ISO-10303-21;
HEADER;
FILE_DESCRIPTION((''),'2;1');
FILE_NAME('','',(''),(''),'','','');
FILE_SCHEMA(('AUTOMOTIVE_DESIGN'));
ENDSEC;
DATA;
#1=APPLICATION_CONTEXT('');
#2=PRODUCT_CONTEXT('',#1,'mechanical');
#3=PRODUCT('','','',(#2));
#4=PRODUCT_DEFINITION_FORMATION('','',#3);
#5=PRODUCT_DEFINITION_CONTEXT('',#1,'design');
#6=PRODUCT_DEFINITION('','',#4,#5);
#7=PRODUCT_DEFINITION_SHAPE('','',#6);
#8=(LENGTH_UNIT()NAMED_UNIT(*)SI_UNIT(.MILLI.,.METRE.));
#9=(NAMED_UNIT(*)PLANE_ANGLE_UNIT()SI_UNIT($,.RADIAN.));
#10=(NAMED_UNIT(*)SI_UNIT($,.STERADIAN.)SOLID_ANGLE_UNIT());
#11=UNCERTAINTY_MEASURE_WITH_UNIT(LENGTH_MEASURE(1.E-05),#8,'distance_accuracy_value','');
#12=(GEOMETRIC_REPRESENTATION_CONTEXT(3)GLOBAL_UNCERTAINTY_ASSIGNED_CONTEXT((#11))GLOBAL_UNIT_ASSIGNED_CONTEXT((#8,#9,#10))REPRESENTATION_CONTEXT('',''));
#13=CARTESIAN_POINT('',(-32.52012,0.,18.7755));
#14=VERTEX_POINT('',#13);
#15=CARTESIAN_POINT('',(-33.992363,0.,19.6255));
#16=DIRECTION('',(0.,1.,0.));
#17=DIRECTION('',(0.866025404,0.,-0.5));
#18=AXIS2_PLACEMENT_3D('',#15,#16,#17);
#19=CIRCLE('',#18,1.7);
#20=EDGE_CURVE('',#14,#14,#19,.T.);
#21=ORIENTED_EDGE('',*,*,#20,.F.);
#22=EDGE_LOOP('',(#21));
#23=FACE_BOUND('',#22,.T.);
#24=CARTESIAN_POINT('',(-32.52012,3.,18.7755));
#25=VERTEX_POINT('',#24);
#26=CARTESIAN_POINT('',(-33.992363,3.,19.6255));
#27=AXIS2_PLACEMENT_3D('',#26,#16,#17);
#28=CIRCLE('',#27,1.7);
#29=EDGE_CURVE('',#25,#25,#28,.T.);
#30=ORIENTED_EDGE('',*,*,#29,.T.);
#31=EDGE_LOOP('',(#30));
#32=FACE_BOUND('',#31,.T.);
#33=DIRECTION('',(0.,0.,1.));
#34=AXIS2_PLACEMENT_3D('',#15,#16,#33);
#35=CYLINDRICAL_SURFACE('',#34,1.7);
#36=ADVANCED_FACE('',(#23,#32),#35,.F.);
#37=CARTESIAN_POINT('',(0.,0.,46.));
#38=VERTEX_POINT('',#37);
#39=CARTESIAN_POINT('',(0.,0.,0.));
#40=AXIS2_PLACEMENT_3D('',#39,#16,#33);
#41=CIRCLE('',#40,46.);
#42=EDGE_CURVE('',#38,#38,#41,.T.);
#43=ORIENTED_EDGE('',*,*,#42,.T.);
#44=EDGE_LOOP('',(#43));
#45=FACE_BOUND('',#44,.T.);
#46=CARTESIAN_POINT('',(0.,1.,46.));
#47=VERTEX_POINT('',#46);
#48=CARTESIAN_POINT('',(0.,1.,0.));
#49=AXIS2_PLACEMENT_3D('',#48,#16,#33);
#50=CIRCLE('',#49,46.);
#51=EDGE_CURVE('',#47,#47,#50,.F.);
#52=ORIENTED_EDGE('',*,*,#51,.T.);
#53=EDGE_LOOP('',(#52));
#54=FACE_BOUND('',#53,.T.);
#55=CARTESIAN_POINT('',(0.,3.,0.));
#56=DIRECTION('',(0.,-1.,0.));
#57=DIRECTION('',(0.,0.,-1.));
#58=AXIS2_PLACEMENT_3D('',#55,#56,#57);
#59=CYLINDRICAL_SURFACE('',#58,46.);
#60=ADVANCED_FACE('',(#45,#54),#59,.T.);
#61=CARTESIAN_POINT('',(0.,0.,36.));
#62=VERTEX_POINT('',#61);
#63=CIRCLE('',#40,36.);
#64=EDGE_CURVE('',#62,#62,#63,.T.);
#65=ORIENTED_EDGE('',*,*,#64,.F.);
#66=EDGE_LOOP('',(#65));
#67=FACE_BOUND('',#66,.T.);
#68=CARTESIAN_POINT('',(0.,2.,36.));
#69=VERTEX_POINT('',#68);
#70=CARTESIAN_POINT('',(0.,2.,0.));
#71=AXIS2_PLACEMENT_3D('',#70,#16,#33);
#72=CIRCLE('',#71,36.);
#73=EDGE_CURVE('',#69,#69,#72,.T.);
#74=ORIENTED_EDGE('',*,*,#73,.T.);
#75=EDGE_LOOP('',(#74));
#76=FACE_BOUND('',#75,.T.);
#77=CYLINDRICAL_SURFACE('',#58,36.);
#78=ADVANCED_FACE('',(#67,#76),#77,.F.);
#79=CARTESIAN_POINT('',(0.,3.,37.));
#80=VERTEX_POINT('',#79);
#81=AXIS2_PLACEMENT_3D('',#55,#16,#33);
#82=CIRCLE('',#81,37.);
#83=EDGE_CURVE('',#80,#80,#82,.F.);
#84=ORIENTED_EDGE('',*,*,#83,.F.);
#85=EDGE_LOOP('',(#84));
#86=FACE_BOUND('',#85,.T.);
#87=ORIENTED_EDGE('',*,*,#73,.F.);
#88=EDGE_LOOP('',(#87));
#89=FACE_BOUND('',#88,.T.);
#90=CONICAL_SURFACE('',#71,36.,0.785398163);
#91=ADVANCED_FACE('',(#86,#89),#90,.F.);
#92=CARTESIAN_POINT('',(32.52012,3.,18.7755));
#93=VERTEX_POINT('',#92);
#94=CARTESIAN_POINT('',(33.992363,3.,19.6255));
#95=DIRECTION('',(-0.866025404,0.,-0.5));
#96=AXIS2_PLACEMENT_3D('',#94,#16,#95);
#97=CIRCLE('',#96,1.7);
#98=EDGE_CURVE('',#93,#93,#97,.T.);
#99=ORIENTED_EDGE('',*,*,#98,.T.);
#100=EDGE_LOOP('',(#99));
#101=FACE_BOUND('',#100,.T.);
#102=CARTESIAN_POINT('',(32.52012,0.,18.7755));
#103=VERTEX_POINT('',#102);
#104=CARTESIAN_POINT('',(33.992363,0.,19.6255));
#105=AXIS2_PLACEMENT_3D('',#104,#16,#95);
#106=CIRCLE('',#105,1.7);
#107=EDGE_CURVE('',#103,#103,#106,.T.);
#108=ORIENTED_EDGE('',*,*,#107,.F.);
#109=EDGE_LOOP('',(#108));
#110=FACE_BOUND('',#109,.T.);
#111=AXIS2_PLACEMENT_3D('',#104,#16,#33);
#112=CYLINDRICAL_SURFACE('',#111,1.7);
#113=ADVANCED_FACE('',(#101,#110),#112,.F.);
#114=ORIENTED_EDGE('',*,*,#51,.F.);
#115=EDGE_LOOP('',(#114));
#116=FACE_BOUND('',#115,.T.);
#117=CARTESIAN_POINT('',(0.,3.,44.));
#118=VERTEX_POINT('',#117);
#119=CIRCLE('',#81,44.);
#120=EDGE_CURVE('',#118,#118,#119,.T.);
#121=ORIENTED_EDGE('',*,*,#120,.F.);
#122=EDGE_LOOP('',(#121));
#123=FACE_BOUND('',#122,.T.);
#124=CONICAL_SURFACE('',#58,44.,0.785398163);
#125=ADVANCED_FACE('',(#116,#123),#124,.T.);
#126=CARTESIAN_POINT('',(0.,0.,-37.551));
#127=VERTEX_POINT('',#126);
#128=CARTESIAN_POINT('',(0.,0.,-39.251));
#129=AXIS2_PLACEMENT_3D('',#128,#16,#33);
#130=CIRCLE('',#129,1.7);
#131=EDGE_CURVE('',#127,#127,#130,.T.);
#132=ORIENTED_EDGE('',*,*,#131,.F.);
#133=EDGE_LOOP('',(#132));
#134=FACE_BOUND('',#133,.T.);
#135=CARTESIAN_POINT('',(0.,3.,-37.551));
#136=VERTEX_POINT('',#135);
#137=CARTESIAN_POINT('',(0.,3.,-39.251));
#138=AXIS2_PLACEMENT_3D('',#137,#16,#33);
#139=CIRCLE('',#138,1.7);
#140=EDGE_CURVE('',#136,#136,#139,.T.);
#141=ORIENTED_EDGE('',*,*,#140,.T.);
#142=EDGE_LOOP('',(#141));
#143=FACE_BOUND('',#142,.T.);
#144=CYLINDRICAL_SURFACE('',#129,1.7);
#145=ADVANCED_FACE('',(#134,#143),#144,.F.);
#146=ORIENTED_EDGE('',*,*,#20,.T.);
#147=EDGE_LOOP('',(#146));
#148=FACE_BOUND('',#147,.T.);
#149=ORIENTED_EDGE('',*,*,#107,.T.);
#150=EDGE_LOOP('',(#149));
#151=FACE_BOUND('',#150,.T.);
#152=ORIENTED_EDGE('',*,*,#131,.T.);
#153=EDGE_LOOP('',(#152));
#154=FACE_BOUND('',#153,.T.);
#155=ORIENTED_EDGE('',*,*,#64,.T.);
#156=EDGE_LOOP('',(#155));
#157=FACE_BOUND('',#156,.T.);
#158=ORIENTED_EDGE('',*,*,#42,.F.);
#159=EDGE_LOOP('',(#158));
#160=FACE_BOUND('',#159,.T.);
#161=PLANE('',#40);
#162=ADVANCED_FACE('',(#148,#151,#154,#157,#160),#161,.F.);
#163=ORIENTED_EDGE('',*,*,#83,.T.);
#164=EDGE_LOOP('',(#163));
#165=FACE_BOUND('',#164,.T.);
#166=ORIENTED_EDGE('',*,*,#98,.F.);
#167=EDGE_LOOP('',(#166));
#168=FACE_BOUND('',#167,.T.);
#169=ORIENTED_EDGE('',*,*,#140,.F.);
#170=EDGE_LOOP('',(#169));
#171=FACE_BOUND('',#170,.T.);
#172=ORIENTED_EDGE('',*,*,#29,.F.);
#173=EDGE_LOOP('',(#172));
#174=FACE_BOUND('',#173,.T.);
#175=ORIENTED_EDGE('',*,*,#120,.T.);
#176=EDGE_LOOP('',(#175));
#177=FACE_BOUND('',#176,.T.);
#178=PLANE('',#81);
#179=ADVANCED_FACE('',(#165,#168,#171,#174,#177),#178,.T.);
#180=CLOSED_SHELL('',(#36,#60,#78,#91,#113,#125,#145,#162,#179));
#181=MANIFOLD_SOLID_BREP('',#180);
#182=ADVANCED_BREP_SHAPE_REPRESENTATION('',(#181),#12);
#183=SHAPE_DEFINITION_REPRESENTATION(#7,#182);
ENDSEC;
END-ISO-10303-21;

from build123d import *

# Parameters (mm, degrees)
SKETCH1_R           = 46
SKETCH1_R_2         = 36
BOSS_EXTRUDE1_DEPTH = 3
CHAMFER1_SIZE       = 2
SKETCH2_R           = 1.7
CUT_EXTRUDE1_DEPTH  = 66.122960621
CIRPATTERN1_COUNT   = 3
CHAMFER2_SIZE       = 1


with BuildPart() as part:
    # Sketch1 → Boss-Extrude1 (new body)
    with BuildSketch(Plane(origin=(0, 0, 0), x_dir=(1, 0, 0), z_dir=(0, 1, 0))):
        with Locations(Location((0, 0, 0), (0, 0, 270))):
            Circle(SKETCH1_R)
        with Locations(Location((0, 0, 0), (0, 0, 270))):
            Circle(SKETCH1_R_2, mode=Mode.SUBTRACT)
    extrude(amount=BOSS_EXTRUDE1_DEPTH)

    # Chamfer1
    chamfer1_edges = [part.edges().sort_by_distance(p)[0] for p in [
        (0, 3, -46),
    ]]
    chamfer(chamfer1_edges, length=CHAMFER1_SIZE)

    # Sketch2 → Cut-Extrude1 (cut, through all)
    with BuildSketch(Plane(origin=(0, 3, 0), x_dir=(1, 0, 0), z_dir=(0, 1, 0))):
        with Locations(Location((0, 39.251, 0), (0, 0, 270))):
            Circle(SKETCH2_R)
    cut_extrude1 = extrude(amount=-CUT_EXTRUDE1_DEPTH, mode=Mode.SUBTRACT)

    # CirPattern1: Cut-Extrude1 ×3 about axis
    cirpattern1_axis = Axis((0, 0, 0), (0, 1, 0))
    for i in range(1, CIRPATTERN1_COUNT):
        add(cut_extrude1.rotate(cirpattern1_axis, i * 360 / CIRPATTERN1_COUNT), mode=Mode.SUBTRACT)

    # Chamfer2
    chamfer2_edges = [part.edges().sort_by_distance(p)[0] for p in [
        (0, 3, -36),
    ]]
    chamfer(chamfer2_edges, length=CHAMFER2_SIZE)


solid = part.part
